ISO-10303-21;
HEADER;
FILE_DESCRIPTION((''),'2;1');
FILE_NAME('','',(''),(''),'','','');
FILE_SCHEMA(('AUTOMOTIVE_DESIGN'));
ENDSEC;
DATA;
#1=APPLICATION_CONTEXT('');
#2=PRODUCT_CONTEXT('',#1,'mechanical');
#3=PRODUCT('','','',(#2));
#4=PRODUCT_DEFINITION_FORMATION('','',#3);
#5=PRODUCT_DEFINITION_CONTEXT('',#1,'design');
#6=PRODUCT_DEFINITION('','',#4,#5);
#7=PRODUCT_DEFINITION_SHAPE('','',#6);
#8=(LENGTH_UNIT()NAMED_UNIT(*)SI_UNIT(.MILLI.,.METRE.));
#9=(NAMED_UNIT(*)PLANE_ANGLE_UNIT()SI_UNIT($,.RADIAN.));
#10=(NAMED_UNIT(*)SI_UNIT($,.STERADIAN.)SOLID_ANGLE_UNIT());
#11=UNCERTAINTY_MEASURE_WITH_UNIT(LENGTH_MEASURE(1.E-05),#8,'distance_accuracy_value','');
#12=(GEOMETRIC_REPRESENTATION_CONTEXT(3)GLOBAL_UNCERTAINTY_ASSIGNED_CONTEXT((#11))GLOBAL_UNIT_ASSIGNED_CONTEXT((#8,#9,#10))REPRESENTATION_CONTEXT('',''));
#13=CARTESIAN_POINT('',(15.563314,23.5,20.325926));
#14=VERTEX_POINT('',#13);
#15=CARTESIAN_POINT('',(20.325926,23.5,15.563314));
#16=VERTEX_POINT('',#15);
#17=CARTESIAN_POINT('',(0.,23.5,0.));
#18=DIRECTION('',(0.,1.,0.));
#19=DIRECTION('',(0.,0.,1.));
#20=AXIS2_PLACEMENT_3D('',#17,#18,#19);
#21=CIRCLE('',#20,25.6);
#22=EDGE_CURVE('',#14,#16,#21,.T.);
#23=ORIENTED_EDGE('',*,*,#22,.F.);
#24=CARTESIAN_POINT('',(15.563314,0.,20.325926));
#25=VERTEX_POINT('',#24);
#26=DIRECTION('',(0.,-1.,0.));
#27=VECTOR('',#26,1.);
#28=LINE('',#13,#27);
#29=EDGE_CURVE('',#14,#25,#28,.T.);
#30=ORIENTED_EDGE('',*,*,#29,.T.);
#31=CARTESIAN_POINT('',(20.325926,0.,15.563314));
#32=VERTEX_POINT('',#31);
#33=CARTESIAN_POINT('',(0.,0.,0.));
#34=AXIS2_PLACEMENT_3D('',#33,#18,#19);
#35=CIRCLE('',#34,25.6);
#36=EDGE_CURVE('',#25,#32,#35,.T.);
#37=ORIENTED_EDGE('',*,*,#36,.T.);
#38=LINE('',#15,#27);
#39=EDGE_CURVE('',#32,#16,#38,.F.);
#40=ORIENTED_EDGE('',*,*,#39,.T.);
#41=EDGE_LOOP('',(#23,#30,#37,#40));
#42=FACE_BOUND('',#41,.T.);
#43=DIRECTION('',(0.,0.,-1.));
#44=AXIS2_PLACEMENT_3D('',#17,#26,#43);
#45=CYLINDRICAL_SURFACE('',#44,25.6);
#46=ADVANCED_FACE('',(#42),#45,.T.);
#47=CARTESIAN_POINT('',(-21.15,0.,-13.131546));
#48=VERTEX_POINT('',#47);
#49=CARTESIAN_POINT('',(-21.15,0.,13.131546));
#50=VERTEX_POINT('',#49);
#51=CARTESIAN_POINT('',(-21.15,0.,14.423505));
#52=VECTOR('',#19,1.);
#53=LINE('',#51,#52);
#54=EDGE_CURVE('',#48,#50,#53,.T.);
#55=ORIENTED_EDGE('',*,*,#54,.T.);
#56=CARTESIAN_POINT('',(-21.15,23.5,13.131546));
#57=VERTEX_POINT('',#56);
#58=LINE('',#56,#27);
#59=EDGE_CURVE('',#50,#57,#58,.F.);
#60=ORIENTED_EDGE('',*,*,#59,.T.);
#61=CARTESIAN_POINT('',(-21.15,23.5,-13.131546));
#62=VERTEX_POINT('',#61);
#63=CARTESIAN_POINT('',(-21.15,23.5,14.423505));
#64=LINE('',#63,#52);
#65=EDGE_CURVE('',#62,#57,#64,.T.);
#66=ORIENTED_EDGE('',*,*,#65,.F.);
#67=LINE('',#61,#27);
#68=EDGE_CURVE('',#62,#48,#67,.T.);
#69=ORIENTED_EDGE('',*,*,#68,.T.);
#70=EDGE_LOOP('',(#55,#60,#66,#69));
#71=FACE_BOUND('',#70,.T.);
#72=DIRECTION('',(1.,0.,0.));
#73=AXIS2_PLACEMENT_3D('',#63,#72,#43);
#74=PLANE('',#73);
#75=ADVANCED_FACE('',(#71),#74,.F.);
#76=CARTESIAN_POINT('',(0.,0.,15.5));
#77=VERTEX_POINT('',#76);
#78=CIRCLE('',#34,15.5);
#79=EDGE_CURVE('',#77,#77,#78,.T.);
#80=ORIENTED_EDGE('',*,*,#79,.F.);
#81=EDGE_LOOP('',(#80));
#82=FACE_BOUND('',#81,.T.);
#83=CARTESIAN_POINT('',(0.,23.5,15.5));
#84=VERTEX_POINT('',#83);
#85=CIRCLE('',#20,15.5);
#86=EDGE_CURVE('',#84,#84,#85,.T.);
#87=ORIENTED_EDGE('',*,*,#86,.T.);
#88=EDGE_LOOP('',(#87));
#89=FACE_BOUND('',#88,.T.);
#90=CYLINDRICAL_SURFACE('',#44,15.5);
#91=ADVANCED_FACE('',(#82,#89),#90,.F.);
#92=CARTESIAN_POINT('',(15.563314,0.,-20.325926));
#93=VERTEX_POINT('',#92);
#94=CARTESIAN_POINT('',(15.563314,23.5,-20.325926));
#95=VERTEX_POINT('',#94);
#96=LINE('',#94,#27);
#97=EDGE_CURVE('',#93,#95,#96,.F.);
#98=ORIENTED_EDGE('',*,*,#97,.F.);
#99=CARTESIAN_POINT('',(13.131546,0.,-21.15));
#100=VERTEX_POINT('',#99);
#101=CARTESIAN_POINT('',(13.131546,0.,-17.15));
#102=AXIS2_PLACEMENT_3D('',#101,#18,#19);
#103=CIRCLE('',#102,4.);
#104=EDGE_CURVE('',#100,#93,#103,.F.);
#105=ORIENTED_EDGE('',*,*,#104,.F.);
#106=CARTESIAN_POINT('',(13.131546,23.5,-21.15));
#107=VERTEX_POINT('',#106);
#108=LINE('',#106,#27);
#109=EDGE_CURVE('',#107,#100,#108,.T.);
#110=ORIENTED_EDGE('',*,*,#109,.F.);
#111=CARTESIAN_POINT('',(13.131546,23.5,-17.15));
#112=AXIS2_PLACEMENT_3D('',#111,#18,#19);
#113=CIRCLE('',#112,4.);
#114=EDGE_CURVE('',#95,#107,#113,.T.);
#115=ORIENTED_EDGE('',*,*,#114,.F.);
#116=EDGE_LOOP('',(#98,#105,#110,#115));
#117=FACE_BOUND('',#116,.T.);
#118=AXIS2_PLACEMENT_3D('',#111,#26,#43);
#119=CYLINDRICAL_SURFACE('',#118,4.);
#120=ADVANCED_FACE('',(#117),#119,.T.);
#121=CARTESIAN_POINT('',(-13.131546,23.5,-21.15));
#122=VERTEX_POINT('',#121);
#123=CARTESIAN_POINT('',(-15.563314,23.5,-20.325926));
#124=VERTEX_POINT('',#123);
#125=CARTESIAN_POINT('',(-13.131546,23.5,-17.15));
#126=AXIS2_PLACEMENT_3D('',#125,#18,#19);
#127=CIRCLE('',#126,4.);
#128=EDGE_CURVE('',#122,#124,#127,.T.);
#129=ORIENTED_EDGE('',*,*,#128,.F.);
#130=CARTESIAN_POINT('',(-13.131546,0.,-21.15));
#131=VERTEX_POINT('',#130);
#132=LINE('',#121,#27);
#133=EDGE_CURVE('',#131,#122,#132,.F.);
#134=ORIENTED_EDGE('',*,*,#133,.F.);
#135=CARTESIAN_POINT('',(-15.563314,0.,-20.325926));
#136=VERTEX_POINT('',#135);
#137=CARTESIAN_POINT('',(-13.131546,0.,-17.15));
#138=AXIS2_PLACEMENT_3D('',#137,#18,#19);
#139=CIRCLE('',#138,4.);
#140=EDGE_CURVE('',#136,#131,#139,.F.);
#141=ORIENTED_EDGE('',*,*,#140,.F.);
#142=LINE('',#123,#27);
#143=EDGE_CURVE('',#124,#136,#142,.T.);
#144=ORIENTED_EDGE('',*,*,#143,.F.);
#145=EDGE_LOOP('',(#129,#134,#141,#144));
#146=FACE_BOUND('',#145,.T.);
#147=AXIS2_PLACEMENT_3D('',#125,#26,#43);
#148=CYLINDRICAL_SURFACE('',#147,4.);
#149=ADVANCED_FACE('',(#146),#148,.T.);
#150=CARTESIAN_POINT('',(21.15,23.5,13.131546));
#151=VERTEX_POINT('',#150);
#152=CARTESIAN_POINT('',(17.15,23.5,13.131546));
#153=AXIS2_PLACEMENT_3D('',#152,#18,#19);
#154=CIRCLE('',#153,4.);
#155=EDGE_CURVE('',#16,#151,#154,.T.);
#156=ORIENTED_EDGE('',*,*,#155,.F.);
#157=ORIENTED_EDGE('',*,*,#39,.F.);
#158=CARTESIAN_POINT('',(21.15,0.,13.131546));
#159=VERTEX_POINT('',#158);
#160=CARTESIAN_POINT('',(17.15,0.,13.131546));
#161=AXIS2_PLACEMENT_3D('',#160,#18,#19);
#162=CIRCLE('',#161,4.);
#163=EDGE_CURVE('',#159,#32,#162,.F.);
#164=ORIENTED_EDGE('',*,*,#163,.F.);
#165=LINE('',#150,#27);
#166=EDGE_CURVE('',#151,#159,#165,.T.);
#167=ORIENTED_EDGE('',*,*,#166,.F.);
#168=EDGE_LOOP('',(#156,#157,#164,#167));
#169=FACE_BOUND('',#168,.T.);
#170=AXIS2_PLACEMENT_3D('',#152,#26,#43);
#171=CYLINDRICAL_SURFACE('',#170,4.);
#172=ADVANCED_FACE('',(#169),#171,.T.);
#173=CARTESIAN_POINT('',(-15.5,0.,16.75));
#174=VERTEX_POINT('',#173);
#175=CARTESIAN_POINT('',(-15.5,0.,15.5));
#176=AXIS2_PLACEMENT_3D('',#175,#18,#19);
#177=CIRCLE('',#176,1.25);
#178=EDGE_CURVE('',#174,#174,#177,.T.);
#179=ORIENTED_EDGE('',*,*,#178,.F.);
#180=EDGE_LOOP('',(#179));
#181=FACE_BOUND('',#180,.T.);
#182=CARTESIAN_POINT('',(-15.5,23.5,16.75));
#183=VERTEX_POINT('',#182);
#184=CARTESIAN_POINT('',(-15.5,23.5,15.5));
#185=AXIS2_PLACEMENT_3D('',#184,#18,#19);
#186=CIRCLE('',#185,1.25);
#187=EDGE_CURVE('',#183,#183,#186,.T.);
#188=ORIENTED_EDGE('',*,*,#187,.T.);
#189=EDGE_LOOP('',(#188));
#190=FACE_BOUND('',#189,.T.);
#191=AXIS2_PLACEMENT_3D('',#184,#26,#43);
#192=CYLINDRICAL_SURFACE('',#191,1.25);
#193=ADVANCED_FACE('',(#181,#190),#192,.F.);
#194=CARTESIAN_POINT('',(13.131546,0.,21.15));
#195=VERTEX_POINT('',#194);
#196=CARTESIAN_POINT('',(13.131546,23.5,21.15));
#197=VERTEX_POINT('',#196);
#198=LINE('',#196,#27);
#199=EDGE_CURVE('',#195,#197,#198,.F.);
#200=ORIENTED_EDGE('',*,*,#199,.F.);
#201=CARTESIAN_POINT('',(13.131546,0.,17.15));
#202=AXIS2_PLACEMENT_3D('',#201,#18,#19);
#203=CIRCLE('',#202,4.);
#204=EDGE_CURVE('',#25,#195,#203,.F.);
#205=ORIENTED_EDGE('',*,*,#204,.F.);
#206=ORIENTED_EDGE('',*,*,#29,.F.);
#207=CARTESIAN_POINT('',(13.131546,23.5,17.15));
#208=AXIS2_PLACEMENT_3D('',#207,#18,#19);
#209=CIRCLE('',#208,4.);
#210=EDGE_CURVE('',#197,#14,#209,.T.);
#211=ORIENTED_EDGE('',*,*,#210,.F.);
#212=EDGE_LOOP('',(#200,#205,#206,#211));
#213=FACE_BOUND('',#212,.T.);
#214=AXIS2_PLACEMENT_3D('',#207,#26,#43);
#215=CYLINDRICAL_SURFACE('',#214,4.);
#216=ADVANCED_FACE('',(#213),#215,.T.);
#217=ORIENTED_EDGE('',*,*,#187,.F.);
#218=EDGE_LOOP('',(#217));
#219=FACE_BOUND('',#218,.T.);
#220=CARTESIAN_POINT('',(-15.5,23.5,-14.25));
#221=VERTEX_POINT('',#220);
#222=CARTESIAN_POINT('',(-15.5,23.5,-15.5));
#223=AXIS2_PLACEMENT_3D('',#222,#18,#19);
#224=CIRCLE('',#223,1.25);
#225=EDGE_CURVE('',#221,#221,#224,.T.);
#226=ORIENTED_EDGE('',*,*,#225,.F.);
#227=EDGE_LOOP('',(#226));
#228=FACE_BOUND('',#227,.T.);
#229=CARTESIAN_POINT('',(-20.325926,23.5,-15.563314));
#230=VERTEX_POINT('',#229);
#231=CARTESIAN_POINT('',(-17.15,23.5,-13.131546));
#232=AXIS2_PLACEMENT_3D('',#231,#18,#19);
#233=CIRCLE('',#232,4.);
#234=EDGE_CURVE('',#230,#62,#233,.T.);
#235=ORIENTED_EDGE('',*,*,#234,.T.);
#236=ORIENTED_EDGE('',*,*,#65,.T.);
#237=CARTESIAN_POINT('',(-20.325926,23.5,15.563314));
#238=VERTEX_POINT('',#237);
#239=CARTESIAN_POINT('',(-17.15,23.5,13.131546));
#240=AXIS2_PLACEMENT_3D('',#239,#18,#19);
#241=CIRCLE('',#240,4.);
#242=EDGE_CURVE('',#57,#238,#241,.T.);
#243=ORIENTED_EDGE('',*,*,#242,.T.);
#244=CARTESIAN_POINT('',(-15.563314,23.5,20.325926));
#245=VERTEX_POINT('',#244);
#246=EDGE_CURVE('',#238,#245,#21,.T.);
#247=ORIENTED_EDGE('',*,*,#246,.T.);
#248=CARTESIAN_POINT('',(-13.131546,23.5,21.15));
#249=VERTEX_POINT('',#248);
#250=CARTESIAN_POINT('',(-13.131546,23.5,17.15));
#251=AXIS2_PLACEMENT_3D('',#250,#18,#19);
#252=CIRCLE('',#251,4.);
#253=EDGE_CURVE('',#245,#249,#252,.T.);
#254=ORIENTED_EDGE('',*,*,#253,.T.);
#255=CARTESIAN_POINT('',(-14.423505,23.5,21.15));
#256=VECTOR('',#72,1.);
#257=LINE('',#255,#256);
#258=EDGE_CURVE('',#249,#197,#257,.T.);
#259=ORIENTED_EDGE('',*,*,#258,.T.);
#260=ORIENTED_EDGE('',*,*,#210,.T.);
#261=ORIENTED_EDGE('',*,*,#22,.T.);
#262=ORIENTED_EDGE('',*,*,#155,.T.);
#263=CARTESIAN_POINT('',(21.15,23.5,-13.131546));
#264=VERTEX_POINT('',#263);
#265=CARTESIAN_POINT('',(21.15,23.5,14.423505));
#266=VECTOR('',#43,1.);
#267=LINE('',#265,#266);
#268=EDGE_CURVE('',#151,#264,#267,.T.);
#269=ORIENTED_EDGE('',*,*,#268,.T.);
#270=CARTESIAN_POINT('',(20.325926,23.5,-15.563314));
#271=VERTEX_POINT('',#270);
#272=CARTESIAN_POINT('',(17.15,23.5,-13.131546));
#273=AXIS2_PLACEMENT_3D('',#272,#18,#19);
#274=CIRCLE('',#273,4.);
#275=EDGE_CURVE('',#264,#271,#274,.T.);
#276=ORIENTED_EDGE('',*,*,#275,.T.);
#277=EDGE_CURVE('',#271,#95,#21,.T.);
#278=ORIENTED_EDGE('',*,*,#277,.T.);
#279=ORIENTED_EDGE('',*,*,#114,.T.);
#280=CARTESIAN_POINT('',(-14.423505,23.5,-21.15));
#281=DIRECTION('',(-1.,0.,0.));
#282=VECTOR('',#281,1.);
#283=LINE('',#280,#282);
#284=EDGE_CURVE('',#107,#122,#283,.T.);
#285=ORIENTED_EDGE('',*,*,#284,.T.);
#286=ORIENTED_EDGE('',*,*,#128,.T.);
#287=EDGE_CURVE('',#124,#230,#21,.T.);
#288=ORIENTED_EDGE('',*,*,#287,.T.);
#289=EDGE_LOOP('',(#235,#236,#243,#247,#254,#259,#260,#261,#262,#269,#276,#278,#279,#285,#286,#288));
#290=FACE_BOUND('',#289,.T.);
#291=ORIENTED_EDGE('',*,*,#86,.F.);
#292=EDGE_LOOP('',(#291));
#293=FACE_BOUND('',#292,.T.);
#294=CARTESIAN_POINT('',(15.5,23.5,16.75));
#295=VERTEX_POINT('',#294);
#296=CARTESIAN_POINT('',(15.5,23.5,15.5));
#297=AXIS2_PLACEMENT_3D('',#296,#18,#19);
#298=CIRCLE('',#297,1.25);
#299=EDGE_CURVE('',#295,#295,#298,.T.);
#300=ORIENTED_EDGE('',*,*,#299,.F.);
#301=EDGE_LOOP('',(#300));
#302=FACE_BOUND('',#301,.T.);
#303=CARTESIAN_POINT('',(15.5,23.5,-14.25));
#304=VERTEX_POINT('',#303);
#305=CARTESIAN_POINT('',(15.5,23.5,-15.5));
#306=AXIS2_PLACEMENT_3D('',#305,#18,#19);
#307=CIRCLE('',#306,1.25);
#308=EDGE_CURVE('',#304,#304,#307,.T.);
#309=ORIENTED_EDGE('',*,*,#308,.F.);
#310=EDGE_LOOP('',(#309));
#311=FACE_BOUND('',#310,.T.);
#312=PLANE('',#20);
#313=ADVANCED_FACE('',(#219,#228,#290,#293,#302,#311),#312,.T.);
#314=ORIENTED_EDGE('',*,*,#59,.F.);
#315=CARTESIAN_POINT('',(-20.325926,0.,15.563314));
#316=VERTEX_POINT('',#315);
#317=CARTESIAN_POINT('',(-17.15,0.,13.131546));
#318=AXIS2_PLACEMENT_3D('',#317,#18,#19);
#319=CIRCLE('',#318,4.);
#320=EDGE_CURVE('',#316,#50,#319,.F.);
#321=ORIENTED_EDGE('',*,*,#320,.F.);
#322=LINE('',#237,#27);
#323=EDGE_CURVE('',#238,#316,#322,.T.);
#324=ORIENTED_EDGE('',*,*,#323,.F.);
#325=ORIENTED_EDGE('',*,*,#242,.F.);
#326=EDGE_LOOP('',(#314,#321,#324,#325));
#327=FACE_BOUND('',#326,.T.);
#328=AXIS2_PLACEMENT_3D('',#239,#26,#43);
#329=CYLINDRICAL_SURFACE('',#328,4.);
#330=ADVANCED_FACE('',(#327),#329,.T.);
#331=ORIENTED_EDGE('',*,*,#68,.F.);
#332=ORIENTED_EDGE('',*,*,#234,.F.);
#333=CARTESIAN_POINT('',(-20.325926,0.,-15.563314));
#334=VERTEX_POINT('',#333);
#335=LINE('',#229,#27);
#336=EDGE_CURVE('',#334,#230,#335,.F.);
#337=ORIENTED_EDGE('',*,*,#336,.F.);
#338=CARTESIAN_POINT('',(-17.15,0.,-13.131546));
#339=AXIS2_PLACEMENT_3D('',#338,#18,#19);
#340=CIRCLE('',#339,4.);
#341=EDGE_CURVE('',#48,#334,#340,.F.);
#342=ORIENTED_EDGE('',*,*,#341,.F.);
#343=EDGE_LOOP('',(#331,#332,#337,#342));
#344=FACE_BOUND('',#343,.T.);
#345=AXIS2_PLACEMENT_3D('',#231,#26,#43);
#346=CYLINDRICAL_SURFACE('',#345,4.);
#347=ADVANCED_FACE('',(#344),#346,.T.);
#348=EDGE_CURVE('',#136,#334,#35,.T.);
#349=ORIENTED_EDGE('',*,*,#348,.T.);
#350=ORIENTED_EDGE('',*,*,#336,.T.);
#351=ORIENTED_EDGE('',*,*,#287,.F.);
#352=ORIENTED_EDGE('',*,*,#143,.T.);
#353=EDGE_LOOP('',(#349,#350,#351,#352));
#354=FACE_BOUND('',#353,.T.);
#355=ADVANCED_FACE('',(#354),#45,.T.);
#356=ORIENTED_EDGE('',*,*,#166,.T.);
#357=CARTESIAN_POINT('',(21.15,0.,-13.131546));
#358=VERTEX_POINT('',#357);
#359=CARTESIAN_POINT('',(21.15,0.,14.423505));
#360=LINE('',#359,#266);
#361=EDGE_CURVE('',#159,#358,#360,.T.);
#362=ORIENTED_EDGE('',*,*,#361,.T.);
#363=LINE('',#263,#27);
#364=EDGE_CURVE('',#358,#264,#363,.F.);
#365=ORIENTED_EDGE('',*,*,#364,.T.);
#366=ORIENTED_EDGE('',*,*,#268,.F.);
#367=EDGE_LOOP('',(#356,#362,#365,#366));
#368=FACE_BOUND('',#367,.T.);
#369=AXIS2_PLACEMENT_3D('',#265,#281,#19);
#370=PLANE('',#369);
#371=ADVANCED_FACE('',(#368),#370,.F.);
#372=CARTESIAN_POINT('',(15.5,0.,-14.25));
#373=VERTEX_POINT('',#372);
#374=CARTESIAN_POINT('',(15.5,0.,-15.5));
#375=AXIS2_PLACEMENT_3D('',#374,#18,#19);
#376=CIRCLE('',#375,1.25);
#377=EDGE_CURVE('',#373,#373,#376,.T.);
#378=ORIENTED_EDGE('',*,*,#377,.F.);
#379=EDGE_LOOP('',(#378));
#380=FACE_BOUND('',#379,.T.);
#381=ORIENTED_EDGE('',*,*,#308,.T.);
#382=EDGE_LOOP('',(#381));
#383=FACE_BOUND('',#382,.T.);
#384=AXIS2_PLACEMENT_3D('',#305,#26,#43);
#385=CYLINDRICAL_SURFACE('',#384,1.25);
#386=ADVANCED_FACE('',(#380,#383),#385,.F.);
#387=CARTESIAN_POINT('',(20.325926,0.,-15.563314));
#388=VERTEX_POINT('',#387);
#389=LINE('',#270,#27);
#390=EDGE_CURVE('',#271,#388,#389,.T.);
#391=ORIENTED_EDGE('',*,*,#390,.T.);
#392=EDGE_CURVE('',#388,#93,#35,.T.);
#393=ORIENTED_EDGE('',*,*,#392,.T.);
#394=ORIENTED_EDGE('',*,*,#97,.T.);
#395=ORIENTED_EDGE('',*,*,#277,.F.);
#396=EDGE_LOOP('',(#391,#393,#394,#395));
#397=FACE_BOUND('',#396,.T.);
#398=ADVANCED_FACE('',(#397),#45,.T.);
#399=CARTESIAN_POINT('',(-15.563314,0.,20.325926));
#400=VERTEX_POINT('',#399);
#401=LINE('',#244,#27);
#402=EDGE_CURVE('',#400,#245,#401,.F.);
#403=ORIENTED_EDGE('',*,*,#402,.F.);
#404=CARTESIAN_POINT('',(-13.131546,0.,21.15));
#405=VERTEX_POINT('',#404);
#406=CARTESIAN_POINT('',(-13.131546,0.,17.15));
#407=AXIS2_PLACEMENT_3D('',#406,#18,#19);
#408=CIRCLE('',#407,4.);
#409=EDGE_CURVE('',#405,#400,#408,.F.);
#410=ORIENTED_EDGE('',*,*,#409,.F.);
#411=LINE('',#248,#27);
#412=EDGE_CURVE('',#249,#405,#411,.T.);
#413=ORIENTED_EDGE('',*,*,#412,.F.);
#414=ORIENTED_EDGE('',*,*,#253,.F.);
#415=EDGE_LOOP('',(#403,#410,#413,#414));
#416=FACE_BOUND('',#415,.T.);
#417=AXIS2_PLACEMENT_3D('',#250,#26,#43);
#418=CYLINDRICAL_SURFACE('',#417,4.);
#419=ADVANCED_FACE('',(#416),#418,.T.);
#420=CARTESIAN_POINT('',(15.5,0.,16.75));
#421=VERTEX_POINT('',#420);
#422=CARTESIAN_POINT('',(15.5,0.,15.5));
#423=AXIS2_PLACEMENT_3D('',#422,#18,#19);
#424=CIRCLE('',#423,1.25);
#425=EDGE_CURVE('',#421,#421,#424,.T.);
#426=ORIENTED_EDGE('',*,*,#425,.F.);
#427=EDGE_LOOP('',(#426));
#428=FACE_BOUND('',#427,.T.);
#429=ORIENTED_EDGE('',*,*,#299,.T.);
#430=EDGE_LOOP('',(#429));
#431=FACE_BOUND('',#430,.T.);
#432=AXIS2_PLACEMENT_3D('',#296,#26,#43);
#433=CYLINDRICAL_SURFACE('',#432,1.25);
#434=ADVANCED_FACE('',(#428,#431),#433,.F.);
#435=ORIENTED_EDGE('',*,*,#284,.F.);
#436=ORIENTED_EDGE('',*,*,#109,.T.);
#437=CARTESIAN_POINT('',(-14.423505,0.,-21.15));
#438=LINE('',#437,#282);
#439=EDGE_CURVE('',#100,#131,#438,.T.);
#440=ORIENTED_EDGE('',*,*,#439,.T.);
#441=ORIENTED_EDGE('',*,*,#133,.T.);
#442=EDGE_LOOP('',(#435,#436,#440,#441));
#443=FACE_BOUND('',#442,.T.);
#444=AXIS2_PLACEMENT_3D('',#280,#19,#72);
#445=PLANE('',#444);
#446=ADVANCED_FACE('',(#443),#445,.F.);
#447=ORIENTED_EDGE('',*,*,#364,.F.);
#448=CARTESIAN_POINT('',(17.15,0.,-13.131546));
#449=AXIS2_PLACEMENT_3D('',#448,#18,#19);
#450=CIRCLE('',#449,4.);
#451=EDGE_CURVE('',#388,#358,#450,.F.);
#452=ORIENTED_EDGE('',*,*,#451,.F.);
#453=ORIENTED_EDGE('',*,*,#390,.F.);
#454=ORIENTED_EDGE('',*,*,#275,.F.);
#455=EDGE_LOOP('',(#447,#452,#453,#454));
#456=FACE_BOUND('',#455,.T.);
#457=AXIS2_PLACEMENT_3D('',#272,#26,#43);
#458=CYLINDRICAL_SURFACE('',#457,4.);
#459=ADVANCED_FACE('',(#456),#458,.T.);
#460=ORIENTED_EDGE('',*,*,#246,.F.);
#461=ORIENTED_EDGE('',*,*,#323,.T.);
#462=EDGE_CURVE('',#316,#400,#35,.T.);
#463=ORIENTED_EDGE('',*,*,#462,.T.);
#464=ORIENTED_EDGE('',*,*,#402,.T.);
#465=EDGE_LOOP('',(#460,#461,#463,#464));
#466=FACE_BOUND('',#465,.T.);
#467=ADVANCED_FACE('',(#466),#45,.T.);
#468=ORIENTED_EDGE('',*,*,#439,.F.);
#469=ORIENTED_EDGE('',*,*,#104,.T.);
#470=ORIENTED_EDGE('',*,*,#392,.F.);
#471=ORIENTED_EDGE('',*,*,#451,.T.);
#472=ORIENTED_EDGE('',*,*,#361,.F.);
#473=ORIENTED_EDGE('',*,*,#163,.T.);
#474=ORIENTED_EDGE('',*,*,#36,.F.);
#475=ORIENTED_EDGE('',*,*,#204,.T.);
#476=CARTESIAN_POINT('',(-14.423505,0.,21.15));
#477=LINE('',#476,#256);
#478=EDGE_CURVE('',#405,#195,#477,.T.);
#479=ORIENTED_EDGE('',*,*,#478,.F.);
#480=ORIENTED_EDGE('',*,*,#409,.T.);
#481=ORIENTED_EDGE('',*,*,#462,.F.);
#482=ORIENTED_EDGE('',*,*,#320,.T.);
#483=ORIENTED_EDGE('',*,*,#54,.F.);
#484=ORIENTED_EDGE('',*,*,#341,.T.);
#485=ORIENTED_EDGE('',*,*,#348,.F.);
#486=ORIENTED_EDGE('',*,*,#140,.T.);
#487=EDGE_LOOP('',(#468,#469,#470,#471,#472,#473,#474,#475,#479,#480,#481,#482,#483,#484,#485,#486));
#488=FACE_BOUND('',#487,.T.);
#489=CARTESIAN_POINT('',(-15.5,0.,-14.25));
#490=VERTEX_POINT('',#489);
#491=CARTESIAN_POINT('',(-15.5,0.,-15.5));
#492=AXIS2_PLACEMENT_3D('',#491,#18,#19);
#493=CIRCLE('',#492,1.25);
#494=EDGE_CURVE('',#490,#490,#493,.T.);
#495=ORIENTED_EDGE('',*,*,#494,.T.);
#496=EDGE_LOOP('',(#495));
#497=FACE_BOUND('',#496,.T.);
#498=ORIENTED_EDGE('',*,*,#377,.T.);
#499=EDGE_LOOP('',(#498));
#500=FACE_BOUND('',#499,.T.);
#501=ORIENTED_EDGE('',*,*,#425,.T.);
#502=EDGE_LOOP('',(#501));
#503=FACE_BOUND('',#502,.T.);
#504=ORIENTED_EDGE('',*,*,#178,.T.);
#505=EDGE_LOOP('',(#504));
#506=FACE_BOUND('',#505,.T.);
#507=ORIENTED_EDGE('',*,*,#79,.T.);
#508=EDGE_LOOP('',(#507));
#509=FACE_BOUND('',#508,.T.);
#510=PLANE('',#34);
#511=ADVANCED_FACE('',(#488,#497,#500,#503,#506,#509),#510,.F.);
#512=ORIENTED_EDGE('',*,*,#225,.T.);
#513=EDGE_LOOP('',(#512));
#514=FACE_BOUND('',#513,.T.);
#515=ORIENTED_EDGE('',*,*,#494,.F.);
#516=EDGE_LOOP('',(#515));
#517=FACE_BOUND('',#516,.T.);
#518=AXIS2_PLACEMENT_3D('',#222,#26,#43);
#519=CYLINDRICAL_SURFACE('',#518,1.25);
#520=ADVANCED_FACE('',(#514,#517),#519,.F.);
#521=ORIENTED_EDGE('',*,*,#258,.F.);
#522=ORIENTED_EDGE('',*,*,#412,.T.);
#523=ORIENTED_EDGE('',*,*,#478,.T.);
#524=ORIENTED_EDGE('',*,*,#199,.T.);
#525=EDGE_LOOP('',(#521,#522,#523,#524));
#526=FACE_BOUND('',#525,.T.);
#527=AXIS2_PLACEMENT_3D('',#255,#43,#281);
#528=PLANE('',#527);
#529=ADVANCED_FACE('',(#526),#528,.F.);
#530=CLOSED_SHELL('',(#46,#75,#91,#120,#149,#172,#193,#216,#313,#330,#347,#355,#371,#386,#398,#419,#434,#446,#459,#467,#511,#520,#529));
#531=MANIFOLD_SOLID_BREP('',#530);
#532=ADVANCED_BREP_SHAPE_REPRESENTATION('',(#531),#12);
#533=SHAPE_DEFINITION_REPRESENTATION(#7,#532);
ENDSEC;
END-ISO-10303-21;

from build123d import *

# Parameters (mm, degrees)
SKETCH_1_R      = 1.25
SKETCH_1_R_2    = 15.5
EXTRUDE_1_DEPTH = 23.5
FILLET_1_R      = 4


with BuildPart() as part:
    # Эскиз1 → Бобышка-Вытянуть1 (new body)
    with BuildSketch(Plane(origin=(0, 0, 0), x_dir=(1, 0, 0), z_dir=(0, 1, 0))):
        with BuildLine():
            Line((-14.423505122, -21.15), (14.423505122, -21.15))
            ThreePointArc((14.423505122, -21.15), (18.101933598, -18.101933598), (21.15, -14.423505122))
            Line((21.15, -14.423505122), (21.15, 14.423505122))
            ThreePointArc((21.15, 14.423505122), (18.101933598, 18.101933598), (14.423505122, 21.15))
            Line((14.423505122, 21.15), (-14.423505122, 21.15))
            ThreePointArc((-14.423505122, 21.15), (-18.101933598, 18.101933598), (-21.15, 14.423505122))
            Line((-21.15, 14.423505122), (-21.15, -14.423505122))
            ThreePointArc((-21.15, -14.423505122), (-18.101933598, -18.101933598), (-14.423505122, -21.15))
        make_face()
        with Locations((-15.5, 15.5)):
            Circle(SKETCH_1_R, mode=Mode.SUBTRACT)
        with Locations((15.5, 15.5)):
            Circle(SKETCH_1_R, mode=Mode.SUBTRACT)
        with Locations((15.5, -15.5)):
            Circle(SKETCH_1_R, mode=Mode.SUBTRACT)
        with Locations((-15.5, -15.5)):
            Circle(SKETCH_1_R, mode=Mode.SUBTRACT)
        Circle(SKETCH_1_R_2, mode=Mode.SUBTRACT)
    extrude(amount=EXTRUDE_1_DEPTH)

    # Скругление1
    fillet_1_edges = [part.edges().sort_by_distance(p)[0] for p in [
        (21.15, 11.75, -14.423505122),
        (21.15, 11.75, 14.423505122),
        (14.423505122, 11.75, 21.15),
        (-14.423505122, 11.75, 21.15),
        (-21.15, 11.75, 14.423505122),
        (-21.15, 11.75, -14.423505122),
        (-14.423505122, 11.75, -21.15),
        (14.423505122, 11.75, -21.15),
    ]]
    fillet(fillet_1_edges, radius=FILLET_1_R)


solid = part.part
